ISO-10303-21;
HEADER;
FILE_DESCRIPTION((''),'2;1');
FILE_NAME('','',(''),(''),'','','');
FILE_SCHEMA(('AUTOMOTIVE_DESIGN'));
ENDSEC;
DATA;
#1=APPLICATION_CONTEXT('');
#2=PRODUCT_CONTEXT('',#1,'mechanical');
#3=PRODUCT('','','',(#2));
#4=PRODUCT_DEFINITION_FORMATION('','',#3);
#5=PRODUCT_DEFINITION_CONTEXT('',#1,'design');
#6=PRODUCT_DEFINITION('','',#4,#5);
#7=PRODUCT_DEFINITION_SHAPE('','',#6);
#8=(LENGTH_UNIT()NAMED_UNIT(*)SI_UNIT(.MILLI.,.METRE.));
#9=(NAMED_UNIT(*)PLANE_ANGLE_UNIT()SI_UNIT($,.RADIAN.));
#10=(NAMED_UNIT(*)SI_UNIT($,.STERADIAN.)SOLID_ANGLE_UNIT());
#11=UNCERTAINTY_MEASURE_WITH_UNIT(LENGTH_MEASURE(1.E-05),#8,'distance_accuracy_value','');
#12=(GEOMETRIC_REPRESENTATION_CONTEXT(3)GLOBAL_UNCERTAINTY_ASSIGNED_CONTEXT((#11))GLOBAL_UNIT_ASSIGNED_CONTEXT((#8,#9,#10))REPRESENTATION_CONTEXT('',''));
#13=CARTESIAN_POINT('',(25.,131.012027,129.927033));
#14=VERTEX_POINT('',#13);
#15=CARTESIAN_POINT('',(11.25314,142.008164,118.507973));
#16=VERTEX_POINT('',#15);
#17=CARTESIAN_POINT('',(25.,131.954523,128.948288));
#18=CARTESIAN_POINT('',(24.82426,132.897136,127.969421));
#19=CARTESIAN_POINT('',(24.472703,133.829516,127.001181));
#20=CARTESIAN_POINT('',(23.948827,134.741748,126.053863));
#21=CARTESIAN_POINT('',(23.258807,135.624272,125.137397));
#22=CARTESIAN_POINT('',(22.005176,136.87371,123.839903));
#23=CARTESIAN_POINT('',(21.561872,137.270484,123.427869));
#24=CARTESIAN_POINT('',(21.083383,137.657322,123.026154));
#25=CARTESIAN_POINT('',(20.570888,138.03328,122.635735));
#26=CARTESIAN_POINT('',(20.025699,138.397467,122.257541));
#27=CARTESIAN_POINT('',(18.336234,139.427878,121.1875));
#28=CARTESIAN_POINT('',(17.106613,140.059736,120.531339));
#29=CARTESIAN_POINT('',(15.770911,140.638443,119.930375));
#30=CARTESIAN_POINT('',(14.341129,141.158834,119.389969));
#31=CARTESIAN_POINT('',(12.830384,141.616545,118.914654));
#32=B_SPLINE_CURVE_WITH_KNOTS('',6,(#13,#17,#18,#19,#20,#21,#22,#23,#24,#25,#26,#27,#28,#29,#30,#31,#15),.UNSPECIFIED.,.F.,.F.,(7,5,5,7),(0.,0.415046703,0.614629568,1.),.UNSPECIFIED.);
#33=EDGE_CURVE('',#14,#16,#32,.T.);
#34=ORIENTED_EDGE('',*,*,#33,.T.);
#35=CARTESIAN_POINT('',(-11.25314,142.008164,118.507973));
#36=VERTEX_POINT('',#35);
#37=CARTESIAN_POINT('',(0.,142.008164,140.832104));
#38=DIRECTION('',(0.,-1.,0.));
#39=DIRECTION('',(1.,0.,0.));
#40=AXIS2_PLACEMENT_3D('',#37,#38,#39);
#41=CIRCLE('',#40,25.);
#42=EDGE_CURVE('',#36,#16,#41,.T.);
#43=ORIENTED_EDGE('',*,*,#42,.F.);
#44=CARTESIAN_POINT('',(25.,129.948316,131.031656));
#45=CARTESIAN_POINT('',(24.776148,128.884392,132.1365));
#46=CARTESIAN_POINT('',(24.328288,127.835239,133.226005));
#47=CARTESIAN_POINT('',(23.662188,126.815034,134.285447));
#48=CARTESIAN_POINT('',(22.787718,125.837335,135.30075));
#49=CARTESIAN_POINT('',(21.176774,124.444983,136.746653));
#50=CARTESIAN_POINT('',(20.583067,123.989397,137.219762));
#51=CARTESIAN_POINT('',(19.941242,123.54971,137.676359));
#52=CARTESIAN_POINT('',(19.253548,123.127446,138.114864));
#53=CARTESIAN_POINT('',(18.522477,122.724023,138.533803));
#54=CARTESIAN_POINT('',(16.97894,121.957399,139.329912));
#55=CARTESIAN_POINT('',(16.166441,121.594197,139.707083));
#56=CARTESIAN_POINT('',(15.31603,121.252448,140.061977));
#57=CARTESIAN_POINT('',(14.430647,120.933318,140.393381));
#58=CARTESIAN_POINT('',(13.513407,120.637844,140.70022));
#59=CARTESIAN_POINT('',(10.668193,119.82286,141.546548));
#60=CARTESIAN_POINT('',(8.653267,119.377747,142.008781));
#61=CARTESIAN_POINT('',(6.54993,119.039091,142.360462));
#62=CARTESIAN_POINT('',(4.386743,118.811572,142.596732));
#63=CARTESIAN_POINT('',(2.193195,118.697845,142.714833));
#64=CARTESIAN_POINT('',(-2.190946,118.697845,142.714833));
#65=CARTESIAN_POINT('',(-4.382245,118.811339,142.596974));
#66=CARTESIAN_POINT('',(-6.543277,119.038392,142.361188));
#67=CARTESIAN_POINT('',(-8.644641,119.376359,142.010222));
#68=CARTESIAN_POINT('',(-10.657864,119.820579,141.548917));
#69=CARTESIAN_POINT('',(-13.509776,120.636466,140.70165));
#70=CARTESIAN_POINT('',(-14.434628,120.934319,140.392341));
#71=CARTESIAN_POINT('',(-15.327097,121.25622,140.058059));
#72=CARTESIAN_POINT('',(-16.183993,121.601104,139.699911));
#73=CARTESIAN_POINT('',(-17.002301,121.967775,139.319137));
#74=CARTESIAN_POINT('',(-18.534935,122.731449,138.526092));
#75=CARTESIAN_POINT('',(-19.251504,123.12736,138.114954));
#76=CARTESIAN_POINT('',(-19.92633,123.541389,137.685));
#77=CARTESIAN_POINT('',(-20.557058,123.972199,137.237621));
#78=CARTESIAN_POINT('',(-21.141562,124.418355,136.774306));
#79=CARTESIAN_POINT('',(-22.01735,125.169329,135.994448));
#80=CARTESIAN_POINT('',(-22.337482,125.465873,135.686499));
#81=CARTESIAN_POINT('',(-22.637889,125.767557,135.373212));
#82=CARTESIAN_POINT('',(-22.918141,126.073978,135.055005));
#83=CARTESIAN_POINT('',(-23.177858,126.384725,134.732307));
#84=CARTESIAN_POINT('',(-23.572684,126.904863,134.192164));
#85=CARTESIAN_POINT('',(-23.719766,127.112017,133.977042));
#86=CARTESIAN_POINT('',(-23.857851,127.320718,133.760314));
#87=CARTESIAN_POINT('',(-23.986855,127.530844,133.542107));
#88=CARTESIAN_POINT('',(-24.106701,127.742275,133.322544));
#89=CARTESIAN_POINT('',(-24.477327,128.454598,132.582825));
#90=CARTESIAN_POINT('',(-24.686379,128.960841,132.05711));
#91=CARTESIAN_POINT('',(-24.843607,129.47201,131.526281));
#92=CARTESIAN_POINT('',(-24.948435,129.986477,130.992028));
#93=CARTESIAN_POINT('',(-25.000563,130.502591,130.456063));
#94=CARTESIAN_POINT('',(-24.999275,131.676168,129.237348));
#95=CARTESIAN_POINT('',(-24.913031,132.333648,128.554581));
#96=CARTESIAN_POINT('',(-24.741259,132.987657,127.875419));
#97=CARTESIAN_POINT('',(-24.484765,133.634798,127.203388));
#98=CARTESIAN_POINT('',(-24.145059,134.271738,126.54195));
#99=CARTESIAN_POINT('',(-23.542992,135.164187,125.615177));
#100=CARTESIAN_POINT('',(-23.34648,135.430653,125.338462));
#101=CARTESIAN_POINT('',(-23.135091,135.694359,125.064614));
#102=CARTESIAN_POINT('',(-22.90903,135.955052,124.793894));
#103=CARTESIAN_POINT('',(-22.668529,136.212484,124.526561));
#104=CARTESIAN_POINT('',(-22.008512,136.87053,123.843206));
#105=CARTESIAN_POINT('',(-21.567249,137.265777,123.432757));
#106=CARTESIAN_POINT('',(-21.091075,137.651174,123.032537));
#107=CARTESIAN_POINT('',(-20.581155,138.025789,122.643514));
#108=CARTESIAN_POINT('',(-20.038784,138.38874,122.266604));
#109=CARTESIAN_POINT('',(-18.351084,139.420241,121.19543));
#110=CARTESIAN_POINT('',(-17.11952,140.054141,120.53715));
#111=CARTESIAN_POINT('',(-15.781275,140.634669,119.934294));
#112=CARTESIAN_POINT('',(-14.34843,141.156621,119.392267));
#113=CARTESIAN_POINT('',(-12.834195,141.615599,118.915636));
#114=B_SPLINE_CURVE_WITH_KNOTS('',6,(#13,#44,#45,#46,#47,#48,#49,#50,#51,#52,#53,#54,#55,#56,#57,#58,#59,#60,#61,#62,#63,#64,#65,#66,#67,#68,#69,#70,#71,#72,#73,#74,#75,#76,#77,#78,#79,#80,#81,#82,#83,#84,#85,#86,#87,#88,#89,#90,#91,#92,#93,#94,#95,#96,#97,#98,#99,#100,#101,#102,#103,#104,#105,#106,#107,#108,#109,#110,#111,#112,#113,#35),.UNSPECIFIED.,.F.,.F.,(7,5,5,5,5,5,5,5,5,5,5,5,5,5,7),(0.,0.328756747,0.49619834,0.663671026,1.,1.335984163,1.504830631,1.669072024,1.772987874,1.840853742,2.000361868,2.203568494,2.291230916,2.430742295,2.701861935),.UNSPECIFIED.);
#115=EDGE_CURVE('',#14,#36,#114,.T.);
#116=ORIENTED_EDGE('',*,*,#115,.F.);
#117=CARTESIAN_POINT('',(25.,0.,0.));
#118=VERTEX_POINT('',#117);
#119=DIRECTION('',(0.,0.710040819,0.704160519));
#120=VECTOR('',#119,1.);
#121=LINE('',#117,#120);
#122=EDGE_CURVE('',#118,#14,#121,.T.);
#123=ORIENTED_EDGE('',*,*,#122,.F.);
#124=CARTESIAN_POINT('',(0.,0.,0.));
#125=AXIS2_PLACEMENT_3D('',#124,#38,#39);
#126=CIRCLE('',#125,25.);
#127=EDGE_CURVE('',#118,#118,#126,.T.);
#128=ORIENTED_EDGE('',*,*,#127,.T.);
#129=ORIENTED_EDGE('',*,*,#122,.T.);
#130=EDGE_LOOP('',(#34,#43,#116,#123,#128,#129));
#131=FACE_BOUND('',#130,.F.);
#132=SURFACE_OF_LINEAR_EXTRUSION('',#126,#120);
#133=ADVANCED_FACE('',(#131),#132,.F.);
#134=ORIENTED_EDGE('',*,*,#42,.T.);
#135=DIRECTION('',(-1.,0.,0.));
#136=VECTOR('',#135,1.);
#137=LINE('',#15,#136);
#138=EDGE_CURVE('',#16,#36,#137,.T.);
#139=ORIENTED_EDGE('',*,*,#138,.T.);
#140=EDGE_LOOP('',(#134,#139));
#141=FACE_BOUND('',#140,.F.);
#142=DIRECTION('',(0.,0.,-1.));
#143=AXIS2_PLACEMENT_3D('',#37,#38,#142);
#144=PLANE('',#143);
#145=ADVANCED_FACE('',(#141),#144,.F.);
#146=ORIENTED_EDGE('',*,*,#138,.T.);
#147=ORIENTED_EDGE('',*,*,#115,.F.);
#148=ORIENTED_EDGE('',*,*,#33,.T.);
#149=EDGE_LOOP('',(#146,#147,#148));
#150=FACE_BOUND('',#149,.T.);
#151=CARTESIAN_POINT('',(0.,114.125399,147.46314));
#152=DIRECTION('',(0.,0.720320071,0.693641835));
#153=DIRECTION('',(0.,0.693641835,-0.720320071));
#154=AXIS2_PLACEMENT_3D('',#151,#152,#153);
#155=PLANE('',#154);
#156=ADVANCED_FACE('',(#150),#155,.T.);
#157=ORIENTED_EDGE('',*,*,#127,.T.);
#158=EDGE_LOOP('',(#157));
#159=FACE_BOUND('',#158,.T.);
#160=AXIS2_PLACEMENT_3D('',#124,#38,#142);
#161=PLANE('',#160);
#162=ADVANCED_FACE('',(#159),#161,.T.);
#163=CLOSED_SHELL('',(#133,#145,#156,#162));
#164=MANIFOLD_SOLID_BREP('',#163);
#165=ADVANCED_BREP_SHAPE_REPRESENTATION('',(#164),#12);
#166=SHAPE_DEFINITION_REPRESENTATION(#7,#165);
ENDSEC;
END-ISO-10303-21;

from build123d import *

# Parameters (mm, degrees)
F1_R     = 25
F4_DEPTH = 49
F5_DEPTH = 92


with BuildPart() as f2:
    # F2: sweep along a path in F0
    with BuildLine(Plane.YZ) as f2_path:
        Line((0, 0), (142.008164, 140.832104))
    # F1 (on Front) → F2 (sweep)
    with BuildSketch(Plane.XZ):
        Circle(F1_R)
    sweep(path=f2_path.line)

    # F3 (on Right) → F4 (cut)
    with BuildSketch(Plane.YZ):
        Polygon((114.125399, 147.46314), (143.182307, 117.288671), (148.33723, 180.407882), align=None)
    extrude(amount=-F4_DEPTH, mode=Mode.SUBTRACT)

    # F3 (on Right) → F5 (cut)
    with BuildSketch(Plane.YZ):
        Polygon((114.125399, 147.46314), (143.182307, 117.288671), (148.33723, 180.407882), align=None)
    extrude(amount=F5_DEPTH, mode=Mode.SUBTRACT)


solid = f2.part
